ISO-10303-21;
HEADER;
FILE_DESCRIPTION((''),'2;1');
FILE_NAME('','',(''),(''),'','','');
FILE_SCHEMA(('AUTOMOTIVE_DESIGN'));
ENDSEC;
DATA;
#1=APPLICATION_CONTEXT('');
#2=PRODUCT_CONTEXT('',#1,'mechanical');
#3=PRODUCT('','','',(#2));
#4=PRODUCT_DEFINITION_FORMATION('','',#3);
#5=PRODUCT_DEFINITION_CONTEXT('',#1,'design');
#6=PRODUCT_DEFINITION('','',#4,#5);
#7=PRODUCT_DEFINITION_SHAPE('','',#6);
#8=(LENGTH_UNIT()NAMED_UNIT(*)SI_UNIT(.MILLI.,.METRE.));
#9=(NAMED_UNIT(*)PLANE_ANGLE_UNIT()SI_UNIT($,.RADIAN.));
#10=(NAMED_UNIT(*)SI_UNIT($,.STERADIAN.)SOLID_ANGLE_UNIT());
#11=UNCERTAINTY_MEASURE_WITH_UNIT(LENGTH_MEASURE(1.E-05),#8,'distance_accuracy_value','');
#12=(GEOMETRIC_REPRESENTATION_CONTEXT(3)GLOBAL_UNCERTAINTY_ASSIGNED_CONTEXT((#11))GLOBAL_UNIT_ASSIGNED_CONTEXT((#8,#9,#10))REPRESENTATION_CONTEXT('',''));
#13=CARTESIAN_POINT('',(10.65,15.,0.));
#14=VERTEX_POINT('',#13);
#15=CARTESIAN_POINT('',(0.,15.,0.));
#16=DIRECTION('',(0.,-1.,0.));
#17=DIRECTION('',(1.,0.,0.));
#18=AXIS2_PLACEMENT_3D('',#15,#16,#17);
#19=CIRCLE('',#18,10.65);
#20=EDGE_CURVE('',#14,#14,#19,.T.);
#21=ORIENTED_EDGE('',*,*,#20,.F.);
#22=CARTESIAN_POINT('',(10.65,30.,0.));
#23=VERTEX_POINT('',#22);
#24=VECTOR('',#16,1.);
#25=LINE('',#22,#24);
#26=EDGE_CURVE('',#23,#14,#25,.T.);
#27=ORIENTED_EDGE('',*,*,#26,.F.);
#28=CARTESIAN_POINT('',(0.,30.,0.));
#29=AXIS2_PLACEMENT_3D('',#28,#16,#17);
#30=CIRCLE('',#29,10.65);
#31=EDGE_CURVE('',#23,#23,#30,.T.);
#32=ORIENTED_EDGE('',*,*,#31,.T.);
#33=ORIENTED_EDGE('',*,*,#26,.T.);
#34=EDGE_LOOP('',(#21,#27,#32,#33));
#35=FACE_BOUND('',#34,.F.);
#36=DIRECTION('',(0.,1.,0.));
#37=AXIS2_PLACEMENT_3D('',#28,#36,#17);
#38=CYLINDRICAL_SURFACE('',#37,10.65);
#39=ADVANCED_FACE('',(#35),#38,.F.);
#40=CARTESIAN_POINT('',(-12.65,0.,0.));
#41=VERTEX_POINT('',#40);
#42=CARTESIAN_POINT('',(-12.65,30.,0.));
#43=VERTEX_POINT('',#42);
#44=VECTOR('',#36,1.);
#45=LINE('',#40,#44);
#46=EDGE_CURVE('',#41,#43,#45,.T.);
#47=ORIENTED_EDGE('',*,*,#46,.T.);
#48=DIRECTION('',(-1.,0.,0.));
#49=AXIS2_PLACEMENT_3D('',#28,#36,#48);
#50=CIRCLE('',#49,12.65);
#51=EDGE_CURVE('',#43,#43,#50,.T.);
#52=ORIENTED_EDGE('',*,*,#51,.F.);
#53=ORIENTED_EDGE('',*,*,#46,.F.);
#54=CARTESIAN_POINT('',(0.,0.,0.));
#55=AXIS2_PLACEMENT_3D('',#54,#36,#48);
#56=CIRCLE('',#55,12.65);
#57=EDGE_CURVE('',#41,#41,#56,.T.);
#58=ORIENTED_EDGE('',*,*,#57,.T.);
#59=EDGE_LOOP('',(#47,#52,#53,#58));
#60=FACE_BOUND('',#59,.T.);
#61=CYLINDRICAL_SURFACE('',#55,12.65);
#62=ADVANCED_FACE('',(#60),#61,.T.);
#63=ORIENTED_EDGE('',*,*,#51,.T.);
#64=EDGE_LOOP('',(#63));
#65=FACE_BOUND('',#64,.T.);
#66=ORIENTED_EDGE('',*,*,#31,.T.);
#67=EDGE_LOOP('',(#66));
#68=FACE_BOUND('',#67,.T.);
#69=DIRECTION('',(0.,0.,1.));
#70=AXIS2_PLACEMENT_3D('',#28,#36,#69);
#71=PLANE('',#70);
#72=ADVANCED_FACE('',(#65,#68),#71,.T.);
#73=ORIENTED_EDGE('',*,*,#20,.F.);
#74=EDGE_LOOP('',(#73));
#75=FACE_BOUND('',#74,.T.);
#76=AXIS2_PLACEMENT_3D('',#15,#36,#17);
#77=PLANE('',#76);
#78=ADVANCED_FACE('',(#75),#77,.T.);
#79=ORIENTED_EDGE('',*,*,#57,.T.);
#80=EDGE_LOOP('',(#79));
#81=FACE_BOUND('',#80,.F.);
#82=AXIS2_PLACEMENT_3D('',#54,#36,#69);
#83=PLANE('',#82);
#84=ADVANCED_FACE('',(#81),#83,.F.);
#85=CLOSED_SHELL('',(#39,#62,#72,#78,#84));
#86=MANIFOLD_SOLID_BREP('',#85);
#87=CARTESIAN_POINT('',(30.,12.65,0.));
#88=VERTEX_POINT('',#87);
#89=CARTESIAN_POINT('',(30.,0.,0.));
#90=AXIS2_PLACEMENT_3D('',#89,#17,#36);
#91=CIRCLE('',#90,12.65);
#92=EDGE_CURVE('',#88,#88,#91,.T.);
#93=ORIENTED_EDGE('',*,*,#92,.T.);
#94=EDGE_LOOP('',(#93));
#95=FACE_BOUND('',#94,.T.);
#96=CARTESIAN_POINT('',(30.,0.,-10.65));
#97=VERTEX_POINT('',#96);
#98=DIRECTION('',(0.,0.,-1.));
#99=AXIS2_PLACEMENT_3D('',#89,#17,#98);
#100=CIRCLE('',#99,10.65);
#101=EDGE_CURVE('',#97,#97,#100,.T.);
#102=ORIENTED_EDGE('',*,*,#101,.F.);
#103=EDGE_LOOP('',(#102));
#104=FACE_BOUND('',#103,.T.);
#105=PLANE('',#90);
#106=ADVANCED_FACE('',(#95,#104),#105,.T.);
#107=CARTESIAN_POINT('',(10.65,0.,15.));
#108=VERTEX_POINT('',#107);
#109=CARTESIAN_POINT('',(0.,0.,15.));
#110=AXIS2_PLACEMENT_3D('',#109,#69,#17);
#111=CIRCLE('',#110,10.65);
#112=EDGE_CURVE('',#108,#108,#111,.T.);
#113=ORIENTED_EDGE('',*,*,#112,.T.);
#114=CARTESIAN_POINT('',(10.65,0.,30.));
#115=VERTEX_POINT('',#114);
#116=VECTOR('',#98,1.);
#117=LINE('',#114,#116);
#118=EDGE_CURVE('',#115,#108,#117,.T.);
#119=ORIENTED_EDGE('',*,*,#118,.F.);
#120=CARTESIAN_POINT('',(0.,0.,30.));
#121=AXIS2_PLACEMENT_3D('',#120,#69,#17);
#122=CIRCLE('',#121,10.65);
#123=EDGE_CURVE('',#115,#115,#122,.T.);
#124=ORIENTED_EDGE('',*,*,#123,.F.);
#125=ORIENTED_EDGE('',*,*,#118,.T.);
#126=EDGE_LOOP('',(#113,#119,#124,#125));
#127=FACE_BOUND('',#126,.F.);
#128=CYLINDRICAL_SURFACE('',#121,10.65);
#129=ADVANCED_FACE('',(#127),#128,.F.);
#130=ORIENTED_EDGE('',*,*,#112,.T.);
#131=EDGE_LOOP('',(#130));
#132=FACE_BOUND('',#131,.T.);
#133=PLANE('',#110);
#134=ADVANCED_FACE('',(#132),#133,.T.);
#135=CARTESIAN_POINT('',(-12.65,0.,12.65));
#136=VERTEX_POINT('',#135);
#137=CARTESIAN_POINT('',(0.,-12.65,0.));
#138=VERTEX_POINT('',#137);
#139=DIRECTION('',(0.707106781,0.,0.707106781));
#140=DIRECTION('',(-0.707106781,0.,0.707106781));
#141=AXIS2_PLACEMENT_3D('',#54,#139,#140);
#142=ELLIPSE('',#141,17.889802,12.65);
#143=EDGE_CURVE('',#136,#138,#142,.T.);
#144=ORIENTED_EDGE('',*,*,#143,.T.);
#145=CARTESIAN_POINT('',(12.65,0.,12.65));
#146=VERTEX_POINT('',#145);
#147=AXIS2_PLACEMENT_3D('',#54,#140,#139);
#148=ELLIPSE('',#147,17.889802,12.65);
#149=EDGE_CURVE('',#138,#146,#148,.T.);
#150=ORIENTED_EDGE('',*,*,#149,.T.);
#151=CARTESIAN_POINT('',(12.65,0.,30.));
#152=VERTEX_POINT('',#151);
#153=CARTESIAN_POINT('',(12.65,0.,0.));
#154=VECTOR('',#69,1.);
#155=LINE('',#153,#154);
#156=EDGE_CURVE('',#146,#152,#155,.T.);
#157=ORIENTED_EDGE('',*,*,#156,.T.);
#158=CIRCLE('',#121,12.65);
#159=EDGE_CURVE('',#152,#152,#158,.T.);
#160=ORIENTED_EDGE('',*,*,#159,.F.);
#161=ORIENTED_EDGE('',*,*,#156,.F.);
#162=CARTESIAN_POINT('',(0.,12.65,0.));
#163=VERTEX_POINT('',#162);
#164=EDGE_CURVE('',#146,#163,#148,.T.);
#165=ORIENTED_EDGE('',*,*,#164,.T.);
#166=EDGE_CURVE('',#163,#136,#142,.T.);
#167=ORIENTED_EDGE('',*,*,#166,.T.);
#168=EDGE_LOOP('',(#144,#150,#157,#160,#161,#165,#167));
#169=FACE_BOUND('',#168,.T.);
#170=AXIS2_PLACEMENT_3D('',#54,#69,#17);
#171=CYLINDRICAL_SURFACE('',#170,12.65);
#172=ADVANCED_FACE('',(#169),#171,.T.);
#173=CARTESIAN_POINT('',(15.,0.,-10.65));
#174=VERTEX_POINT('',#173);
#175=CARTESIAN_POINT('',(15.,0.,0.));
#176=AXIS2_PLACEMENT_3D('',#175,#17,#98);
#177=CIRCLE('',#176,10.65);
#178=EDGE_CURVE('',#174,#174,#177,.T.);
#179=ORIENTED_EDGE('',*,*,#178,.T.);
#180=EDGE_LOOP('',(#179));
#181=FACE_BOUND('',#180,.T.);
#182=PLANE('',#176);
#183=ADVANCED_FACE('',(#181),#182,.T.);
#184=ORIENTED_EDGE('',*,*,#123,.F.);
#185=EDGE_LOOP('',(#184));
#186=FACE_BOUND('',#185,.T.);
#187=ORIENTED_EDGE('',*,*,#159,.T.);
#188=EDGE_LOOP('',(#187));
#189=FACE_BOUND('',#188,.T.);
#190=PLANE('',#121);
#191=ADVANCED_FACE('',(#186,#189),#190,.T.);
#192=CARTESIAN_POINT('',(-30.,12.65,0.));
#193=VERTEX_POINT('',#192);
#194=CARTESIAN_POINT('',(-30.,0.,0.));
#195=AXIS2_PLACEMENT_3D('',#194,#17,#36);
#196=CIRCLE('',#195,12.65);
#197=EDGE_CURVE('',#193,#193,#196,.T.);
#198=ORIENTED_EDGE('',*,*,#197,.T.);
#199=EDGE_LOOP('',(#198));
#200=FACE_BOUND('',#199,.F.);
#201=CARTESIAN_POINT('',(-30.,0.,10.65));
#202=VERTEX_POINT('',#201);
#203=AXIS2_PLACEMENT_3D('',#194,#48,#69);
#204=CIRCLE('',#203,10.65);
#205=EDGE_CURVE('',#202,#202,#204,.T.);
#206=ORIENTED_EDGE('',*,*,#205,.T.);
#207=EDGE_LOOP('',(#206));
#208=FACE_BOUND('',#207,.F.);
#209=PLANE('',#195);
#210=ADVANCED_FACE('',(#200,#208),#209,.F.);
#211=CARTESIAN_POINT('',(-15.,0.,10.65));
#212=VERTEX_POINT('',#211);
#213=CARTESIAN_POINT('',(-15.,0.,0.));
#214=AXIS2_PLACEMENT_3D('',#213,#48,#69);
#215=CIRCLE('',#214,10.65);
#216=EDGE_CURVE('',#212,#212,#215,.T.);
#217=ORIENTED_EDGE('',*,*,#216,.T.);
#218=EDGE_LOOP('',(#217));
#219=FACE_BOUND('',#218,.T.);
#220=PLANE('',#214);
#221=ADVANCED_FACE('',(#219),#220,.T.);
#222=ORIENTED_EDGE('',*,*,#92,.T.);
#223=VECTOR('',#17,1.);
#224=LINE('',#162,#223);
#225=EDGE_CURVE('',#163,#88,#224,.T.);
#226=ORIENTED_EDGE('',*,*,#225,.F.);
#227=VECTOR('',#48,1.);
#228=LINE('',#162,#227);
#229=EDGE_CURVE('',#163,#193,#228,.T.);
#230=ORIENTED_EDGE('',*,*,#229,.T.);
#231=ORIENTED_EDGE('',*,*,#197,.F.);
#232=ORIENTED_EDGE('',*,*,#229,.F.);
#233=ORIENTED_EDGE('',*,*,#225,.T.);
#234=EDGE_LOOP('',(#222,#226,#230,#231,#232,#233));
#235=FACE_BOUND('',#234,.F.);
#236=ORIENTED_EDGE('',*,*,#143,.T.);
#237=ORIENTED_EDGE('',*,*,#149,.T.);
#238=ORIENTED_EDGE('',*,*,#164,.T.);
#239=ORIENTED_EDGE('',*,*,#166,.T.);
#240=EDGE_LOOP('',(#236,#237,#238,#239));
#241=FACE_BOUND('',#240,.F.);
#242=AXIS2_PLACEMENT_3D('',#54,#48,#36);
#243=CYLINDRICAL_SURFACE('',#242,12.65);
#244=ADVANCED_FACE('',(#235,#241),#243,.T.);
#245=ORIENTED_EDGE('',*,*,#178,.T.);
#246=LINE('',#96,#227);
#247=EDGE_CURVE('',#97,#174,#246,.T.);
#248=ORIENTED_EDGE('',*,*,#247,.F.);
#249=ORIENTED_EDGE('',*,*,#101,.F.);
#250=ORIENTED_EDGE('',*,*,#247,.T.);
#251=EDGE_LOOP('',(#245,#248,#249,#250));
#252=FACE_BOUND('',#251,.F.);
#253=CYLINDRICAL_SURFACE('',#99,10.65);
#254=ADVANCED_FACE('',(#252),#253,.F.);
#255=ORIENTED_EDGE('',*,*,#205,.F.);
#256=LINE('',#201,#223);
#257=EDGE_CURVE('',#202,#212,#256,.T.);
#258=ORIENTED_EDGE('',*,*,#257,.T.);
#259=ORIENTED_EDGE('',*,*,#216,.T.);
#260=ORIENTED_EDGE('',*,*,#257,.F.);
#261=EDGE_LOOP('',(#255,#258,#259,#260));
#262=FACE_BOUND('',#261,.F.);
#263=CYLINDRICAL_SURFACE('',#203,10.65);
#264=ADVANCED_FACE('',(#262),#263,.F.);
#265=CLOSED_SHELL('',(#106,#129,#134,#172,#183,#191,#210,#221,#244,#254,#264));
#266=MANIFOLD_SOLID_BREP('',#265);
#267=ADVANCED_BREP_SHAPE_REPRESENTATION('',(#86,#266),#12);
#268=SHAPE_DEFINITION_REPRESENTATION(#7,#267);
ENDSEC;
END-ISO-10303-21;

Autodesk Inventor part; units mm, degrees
sketch "Sketch1" plane through (0, 0, 0) normal (0, 1, 0) x (-1, 0, 0)
  line L0 (0, 0) -> (0, 30)
  line L1 (0, 0) -> (-30, 0)
  dimension "d0" = 30
  dimension "d1" = 30
ref_plane "Work Plane1" through (0, 0, 30) normal (0, 0, 1) x (1, 0, 0)
sketch "Sketch2" plane through (0, 0, 30) normal (0, 0, 1) x (1, 0, 0)
  circle A0 centre (0, 0) radius 12.65
  dimension "d2" = 25.3
sketch "Sketch3" plane through (0, 0, 0) normal (0, 1, 0) x (-1, 0, 0)
  line L0 (0, 0) -> (0, 30) projected
sweep "Sweep1" add profiles "Sketch2" path "Sketch3"
sketch "Sketch4" plane through (0, 0, 0) normal (1, 0, 0) x (0, 1, 0)
  line L0 (0, 0) -> (30, 0)
  dimension "d5" = 30
ref_plane "Work Plane2" through (0, 30, 0) normal (0, 1, 0) x (-1, 0, 0)
sketch "Sketch5" plane through (0, 30, 0) normal (0, 1, 0) x (-1, 0, 0)
  circle A0 centre (0, 0) radius 12.65
  dimension "d6" = 25.3
sweep "Sweep2" add profiles "Sketch5" path "Sketch4" separate body
sketch "Sketch6" plane through (0, 0, 0) normal (0, 1, 0) x (-1, 0, 0)
  line L0 (0, 0) -> (-30, 0) projected
ref_plane "Work Plane3" through (30, 0, 0) normal (1, 0, 0) x (0, 1, 0)
sketch "Sketch12" plane through (0, 0, 0) normal (1, 0, 0) x (0, 1, 0)
  circle A0 centre (0, 0) radius 12.65
  dimension "d15" = 25.3
extrude "Extrusion1" add sketch "Sketch12" along normal mid plane 60 bodies 1
sketch "Sketch14" plane through (0, 30, 0) normal (0, 1, 0) x (1, 0, 0)
  line L0 (-12.65, -12.65) -> (0, 0) projected
  circle A0 centre (0, 0) radius 10.65
  dimension "d21" = 21.3
sketch "Sketch18" plane through (-30, 0, 0) normal (-1, 0, 0) x (0, 0, 1)
  circle A0 centre (0, 0) radius 10.65
  dimension "d30" = 21.3
extrude "Extrusion7" cut sketch "Sketch18" against normal blind 15 bodies 1
sketch "Sketch19" plane through (30, 0, 0) normal (1, 0, 0) x (0, 0, -1)
  circle A0 centre (0, 0) radius 10.65
  dimension "d33" = 21.3
extrude "Extrusion8" cut sketch "Sketch19" against normal blind 15 bodies 1
sketch "Sketch20" plane through (0, 0, 30) normal (0, 0, 1) x (1, 0, 0)
  circle A0 centre (0, 0) radius 10.65
  dimension "d36" = 21.3
extrude "Extrusion9" cut sketch "Sketch20" against normal blind 15 bodies 1
extrude "Extrusion10" cut sketch "Sketch14" against normal blind 15 bodies 2
equation "\"d1\" = d0"
properties part number "hoek vierweg" material "ABS Plastic"
